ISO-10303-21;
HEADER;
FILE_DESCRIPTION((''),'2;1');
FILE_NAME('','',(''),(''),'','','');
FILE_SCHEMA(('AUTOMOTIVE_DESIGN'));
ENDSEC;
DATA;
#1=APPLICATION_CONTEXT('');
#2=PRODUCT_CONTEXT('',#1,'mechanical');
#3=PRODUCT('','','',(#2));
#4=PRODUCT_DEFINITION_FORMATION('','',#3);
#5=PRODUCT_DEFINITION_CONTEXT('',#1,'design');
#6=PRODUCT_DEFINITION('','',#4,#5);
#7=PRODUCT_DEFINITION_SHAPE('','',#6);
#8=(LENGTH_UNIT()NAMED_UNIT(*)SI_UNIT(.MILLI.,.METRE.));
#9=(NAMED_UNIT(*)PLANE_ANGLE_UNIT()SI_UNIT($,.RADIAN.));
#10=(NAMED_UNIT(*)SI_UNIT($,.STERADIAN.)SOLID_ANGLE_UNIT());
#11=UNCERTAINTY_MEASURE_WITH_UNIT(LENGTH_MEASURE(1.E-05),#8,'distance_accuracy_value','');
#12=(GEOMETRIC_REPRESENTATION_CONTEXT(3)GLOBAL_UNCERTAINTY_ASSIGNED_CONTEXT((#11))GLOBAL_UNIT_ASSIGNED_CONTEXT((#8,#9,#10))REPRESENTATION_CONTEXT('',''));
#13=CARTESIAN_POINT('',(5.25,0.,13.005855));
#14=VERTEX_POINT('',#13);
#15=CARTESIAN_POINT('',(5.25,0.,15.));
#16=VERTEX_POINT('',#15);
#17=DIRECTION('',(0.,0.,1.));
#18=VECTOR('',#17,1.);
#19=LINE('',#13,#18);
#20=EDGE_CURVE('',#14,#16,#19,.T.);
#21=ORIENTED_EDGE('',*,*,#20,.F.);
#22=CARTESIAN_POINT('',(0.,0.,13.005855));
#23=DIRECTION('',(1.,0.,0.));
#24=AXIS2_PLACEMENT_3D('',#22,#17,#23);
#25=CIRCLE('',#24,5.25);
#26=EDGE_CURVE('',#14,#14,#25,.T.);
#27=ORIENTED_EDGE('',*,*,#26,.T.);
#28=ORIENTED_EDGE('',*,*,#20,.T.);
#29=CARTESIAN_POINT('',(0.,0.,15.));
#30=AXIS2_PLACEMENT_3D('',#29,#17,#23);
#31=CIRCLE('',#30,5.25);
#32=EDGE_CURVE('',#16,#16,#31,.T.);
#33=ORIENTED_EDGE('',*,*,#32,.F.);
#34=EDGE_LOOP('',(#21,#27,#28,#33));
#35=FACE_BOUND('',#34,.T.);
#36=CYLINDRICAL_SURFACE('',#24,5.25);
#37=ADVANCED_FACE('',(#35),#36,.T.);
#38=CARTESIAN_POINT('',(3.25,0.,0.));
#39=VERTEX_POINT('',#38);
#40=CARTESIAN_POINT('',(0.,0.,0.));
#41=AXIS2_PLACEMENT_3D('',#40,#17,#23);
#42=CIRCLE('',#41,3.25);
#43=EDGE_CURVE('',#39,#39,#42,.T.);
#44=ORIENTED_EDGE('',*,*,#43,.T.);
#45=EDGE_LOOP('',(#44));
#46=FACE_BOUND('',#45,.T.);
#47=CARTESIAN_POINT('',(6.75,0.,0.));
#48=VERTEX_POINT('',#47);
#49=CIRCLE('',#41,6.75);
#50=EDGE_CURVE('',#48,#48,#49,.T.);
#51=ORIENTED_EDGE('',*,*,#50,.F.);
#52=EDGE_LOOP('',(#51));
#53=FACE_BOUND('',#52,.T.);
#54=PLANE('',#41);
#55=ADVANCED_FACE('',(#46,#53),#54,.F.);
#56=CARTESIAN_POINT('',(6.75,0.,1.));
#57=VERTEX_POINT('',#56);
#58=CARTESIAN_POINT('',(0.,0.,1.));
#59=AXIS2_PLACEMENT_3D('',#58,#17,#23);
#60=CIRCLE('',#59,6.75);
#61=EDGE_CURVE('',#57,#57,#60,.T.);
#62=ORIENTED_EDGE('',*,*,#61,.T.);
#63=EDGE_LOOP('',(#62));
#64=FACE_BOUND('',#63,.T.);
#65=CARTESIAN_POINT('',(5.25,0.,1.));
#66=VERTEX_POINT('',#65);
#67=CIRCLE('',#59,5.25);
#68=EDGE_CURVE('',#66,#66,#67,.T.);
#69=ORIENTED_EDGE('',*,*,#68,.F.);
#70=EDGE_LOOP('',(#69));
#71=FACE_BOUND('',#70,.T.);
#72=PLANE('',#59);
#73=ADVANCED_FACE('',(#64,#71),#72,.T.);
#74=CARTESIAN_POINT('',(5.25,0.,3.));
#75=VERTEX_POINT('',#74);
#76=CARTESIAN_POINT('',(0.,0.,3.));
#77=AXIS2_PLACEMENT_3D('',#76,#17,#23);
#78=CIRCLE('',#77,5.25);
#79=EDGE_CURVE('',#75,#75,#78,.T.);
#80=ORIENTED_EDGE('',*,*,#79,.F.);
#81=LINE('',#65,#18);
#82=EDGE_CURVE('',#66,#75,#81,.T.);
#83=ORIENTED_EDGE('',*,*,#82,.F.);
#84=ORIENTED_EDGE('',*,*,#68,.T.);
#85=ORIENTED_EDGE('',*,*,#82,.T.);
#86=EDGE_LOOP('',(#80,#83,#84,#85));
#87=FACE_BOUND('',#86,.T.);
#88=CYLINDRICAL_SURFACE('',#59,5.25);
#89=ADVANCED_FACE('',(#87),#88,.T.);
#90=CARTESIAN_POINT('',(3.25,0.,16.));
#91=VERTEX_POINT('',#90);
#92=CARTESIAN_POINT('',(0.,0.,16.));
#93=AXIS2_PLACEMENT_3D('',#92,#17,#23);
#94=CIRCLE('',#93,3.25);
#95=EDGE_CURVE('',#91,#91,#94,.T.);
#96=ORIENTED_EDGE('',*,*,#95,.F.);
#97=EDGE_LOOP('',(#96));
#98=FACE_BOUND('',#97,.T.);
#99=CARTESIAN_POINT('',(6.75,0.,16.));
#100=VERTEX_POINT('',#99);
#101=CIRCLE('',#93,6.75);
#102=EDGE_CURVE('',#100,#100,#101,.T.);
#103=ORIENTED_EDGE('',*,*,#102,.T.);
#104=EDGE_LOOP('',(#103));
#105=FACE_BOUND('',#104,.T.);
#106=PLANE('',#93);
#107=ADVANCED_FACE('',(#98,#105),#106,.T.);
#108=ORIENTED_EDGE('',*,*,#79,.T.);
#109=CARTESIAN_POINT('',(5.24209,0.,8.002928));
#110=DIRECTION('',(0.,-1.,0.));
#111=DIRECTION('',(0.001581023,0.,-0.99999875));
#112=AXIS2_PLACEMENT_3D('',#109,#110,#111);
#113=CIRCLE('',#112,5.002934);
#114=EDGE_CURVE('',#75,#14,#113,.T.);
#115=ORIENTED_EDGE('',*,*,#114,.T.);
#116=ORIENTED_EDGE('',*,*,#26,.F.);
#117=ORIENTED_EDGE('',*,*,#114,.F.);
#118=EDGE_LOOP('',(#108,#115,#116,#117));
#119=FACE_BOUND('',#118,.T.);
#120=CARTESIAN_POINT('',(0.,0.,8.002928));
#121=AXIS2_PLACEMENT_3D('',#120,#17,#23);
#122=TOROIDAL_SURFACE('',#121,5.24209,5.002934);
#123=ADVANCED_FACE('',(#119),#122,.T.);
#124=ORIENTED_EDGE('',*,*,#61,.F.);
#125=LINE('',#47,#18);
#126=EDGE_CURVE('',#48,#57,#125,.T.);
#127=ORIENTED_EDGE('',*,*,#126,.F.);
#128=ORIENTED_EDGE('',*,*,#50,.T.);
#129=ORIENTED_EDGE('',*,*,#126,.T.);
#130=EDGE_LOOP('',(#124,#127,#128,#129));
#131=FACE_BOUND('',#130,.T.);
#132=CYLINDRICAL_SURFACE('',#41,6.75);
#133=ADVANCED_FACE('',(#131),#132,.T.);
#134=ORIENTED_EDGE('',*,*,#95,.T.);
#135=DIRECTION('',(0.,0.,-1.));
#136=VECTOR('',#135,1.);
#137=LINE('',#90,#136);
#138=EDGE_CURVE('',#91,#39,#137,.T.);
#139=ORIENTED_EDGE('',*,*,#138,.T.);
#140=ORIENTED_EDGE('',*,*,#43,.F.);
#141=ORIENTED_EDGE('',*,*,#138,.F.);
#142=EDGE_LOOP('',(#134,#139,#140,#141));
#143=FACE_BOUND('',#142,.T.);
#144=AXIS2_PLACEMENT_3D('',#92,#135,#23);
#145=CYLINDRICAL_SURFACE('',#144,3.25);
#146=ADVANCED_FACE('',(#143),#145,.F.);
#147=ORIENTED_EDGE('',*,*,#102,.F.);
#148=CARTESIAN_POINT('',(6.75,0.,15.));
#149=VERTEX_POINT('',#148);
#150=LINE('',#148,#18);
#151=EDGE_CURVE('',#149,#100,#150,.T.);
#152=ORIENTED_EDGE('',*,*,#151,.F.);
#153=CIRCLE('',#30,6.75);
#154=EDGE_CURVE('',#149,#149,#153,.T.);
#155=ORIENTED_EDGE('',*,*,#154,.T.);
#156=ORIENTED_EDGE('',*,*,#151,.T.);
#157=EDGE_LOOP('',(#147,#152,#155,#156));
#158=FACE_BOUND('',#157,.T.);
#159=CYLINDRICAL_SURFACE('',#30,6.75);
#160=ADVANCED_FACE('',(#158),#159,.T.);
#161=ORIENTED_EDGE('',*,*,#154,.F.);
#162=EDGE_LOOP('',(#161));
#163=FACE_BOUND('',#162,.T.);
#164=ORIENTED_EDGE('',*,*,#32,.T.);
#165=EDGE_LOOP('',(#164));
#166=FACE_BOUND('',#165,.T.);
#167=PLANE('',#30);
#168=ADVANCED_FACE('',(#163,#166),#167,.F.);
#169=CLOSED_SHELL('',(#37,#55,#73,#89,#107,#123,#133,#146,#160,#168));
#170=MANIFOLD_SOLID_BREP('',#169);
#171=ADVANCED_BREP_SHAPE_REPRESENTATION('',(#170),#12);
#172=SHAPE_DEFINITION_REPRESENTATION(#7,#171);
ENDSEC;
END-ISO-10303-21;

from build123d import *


with BuildPart() as f1:
    # F0 (on Front) → F1 (revolve)
    with BuildSketch(Plane.XZ):
        with BuildLine():
            Line((3.25, 16), (3.25, 0))
            Line((3.25, 0), (6.75, 0))
            Line((6.75, 0), (6.75, 1))
            Line((6.75, 1), (5.25, 1))
            Line((5.25, 1), (5.25, 3))
            ThreePointArc((5.25, 3), (10.245024, 8.002927), (5.25, 13.005855))
            Line((5.25, 13.005855), (5.25, 15))
            Line((5.25, 15), (6.75, 15))
            Line((6.75, 15), (6.75, 16))
            Line((6.75, 16), (3.25, 16))
        make_face()
    revolve(axis=Axis((0, 0, 15.346395), (0, 0, 1)))


solid = f1.part
